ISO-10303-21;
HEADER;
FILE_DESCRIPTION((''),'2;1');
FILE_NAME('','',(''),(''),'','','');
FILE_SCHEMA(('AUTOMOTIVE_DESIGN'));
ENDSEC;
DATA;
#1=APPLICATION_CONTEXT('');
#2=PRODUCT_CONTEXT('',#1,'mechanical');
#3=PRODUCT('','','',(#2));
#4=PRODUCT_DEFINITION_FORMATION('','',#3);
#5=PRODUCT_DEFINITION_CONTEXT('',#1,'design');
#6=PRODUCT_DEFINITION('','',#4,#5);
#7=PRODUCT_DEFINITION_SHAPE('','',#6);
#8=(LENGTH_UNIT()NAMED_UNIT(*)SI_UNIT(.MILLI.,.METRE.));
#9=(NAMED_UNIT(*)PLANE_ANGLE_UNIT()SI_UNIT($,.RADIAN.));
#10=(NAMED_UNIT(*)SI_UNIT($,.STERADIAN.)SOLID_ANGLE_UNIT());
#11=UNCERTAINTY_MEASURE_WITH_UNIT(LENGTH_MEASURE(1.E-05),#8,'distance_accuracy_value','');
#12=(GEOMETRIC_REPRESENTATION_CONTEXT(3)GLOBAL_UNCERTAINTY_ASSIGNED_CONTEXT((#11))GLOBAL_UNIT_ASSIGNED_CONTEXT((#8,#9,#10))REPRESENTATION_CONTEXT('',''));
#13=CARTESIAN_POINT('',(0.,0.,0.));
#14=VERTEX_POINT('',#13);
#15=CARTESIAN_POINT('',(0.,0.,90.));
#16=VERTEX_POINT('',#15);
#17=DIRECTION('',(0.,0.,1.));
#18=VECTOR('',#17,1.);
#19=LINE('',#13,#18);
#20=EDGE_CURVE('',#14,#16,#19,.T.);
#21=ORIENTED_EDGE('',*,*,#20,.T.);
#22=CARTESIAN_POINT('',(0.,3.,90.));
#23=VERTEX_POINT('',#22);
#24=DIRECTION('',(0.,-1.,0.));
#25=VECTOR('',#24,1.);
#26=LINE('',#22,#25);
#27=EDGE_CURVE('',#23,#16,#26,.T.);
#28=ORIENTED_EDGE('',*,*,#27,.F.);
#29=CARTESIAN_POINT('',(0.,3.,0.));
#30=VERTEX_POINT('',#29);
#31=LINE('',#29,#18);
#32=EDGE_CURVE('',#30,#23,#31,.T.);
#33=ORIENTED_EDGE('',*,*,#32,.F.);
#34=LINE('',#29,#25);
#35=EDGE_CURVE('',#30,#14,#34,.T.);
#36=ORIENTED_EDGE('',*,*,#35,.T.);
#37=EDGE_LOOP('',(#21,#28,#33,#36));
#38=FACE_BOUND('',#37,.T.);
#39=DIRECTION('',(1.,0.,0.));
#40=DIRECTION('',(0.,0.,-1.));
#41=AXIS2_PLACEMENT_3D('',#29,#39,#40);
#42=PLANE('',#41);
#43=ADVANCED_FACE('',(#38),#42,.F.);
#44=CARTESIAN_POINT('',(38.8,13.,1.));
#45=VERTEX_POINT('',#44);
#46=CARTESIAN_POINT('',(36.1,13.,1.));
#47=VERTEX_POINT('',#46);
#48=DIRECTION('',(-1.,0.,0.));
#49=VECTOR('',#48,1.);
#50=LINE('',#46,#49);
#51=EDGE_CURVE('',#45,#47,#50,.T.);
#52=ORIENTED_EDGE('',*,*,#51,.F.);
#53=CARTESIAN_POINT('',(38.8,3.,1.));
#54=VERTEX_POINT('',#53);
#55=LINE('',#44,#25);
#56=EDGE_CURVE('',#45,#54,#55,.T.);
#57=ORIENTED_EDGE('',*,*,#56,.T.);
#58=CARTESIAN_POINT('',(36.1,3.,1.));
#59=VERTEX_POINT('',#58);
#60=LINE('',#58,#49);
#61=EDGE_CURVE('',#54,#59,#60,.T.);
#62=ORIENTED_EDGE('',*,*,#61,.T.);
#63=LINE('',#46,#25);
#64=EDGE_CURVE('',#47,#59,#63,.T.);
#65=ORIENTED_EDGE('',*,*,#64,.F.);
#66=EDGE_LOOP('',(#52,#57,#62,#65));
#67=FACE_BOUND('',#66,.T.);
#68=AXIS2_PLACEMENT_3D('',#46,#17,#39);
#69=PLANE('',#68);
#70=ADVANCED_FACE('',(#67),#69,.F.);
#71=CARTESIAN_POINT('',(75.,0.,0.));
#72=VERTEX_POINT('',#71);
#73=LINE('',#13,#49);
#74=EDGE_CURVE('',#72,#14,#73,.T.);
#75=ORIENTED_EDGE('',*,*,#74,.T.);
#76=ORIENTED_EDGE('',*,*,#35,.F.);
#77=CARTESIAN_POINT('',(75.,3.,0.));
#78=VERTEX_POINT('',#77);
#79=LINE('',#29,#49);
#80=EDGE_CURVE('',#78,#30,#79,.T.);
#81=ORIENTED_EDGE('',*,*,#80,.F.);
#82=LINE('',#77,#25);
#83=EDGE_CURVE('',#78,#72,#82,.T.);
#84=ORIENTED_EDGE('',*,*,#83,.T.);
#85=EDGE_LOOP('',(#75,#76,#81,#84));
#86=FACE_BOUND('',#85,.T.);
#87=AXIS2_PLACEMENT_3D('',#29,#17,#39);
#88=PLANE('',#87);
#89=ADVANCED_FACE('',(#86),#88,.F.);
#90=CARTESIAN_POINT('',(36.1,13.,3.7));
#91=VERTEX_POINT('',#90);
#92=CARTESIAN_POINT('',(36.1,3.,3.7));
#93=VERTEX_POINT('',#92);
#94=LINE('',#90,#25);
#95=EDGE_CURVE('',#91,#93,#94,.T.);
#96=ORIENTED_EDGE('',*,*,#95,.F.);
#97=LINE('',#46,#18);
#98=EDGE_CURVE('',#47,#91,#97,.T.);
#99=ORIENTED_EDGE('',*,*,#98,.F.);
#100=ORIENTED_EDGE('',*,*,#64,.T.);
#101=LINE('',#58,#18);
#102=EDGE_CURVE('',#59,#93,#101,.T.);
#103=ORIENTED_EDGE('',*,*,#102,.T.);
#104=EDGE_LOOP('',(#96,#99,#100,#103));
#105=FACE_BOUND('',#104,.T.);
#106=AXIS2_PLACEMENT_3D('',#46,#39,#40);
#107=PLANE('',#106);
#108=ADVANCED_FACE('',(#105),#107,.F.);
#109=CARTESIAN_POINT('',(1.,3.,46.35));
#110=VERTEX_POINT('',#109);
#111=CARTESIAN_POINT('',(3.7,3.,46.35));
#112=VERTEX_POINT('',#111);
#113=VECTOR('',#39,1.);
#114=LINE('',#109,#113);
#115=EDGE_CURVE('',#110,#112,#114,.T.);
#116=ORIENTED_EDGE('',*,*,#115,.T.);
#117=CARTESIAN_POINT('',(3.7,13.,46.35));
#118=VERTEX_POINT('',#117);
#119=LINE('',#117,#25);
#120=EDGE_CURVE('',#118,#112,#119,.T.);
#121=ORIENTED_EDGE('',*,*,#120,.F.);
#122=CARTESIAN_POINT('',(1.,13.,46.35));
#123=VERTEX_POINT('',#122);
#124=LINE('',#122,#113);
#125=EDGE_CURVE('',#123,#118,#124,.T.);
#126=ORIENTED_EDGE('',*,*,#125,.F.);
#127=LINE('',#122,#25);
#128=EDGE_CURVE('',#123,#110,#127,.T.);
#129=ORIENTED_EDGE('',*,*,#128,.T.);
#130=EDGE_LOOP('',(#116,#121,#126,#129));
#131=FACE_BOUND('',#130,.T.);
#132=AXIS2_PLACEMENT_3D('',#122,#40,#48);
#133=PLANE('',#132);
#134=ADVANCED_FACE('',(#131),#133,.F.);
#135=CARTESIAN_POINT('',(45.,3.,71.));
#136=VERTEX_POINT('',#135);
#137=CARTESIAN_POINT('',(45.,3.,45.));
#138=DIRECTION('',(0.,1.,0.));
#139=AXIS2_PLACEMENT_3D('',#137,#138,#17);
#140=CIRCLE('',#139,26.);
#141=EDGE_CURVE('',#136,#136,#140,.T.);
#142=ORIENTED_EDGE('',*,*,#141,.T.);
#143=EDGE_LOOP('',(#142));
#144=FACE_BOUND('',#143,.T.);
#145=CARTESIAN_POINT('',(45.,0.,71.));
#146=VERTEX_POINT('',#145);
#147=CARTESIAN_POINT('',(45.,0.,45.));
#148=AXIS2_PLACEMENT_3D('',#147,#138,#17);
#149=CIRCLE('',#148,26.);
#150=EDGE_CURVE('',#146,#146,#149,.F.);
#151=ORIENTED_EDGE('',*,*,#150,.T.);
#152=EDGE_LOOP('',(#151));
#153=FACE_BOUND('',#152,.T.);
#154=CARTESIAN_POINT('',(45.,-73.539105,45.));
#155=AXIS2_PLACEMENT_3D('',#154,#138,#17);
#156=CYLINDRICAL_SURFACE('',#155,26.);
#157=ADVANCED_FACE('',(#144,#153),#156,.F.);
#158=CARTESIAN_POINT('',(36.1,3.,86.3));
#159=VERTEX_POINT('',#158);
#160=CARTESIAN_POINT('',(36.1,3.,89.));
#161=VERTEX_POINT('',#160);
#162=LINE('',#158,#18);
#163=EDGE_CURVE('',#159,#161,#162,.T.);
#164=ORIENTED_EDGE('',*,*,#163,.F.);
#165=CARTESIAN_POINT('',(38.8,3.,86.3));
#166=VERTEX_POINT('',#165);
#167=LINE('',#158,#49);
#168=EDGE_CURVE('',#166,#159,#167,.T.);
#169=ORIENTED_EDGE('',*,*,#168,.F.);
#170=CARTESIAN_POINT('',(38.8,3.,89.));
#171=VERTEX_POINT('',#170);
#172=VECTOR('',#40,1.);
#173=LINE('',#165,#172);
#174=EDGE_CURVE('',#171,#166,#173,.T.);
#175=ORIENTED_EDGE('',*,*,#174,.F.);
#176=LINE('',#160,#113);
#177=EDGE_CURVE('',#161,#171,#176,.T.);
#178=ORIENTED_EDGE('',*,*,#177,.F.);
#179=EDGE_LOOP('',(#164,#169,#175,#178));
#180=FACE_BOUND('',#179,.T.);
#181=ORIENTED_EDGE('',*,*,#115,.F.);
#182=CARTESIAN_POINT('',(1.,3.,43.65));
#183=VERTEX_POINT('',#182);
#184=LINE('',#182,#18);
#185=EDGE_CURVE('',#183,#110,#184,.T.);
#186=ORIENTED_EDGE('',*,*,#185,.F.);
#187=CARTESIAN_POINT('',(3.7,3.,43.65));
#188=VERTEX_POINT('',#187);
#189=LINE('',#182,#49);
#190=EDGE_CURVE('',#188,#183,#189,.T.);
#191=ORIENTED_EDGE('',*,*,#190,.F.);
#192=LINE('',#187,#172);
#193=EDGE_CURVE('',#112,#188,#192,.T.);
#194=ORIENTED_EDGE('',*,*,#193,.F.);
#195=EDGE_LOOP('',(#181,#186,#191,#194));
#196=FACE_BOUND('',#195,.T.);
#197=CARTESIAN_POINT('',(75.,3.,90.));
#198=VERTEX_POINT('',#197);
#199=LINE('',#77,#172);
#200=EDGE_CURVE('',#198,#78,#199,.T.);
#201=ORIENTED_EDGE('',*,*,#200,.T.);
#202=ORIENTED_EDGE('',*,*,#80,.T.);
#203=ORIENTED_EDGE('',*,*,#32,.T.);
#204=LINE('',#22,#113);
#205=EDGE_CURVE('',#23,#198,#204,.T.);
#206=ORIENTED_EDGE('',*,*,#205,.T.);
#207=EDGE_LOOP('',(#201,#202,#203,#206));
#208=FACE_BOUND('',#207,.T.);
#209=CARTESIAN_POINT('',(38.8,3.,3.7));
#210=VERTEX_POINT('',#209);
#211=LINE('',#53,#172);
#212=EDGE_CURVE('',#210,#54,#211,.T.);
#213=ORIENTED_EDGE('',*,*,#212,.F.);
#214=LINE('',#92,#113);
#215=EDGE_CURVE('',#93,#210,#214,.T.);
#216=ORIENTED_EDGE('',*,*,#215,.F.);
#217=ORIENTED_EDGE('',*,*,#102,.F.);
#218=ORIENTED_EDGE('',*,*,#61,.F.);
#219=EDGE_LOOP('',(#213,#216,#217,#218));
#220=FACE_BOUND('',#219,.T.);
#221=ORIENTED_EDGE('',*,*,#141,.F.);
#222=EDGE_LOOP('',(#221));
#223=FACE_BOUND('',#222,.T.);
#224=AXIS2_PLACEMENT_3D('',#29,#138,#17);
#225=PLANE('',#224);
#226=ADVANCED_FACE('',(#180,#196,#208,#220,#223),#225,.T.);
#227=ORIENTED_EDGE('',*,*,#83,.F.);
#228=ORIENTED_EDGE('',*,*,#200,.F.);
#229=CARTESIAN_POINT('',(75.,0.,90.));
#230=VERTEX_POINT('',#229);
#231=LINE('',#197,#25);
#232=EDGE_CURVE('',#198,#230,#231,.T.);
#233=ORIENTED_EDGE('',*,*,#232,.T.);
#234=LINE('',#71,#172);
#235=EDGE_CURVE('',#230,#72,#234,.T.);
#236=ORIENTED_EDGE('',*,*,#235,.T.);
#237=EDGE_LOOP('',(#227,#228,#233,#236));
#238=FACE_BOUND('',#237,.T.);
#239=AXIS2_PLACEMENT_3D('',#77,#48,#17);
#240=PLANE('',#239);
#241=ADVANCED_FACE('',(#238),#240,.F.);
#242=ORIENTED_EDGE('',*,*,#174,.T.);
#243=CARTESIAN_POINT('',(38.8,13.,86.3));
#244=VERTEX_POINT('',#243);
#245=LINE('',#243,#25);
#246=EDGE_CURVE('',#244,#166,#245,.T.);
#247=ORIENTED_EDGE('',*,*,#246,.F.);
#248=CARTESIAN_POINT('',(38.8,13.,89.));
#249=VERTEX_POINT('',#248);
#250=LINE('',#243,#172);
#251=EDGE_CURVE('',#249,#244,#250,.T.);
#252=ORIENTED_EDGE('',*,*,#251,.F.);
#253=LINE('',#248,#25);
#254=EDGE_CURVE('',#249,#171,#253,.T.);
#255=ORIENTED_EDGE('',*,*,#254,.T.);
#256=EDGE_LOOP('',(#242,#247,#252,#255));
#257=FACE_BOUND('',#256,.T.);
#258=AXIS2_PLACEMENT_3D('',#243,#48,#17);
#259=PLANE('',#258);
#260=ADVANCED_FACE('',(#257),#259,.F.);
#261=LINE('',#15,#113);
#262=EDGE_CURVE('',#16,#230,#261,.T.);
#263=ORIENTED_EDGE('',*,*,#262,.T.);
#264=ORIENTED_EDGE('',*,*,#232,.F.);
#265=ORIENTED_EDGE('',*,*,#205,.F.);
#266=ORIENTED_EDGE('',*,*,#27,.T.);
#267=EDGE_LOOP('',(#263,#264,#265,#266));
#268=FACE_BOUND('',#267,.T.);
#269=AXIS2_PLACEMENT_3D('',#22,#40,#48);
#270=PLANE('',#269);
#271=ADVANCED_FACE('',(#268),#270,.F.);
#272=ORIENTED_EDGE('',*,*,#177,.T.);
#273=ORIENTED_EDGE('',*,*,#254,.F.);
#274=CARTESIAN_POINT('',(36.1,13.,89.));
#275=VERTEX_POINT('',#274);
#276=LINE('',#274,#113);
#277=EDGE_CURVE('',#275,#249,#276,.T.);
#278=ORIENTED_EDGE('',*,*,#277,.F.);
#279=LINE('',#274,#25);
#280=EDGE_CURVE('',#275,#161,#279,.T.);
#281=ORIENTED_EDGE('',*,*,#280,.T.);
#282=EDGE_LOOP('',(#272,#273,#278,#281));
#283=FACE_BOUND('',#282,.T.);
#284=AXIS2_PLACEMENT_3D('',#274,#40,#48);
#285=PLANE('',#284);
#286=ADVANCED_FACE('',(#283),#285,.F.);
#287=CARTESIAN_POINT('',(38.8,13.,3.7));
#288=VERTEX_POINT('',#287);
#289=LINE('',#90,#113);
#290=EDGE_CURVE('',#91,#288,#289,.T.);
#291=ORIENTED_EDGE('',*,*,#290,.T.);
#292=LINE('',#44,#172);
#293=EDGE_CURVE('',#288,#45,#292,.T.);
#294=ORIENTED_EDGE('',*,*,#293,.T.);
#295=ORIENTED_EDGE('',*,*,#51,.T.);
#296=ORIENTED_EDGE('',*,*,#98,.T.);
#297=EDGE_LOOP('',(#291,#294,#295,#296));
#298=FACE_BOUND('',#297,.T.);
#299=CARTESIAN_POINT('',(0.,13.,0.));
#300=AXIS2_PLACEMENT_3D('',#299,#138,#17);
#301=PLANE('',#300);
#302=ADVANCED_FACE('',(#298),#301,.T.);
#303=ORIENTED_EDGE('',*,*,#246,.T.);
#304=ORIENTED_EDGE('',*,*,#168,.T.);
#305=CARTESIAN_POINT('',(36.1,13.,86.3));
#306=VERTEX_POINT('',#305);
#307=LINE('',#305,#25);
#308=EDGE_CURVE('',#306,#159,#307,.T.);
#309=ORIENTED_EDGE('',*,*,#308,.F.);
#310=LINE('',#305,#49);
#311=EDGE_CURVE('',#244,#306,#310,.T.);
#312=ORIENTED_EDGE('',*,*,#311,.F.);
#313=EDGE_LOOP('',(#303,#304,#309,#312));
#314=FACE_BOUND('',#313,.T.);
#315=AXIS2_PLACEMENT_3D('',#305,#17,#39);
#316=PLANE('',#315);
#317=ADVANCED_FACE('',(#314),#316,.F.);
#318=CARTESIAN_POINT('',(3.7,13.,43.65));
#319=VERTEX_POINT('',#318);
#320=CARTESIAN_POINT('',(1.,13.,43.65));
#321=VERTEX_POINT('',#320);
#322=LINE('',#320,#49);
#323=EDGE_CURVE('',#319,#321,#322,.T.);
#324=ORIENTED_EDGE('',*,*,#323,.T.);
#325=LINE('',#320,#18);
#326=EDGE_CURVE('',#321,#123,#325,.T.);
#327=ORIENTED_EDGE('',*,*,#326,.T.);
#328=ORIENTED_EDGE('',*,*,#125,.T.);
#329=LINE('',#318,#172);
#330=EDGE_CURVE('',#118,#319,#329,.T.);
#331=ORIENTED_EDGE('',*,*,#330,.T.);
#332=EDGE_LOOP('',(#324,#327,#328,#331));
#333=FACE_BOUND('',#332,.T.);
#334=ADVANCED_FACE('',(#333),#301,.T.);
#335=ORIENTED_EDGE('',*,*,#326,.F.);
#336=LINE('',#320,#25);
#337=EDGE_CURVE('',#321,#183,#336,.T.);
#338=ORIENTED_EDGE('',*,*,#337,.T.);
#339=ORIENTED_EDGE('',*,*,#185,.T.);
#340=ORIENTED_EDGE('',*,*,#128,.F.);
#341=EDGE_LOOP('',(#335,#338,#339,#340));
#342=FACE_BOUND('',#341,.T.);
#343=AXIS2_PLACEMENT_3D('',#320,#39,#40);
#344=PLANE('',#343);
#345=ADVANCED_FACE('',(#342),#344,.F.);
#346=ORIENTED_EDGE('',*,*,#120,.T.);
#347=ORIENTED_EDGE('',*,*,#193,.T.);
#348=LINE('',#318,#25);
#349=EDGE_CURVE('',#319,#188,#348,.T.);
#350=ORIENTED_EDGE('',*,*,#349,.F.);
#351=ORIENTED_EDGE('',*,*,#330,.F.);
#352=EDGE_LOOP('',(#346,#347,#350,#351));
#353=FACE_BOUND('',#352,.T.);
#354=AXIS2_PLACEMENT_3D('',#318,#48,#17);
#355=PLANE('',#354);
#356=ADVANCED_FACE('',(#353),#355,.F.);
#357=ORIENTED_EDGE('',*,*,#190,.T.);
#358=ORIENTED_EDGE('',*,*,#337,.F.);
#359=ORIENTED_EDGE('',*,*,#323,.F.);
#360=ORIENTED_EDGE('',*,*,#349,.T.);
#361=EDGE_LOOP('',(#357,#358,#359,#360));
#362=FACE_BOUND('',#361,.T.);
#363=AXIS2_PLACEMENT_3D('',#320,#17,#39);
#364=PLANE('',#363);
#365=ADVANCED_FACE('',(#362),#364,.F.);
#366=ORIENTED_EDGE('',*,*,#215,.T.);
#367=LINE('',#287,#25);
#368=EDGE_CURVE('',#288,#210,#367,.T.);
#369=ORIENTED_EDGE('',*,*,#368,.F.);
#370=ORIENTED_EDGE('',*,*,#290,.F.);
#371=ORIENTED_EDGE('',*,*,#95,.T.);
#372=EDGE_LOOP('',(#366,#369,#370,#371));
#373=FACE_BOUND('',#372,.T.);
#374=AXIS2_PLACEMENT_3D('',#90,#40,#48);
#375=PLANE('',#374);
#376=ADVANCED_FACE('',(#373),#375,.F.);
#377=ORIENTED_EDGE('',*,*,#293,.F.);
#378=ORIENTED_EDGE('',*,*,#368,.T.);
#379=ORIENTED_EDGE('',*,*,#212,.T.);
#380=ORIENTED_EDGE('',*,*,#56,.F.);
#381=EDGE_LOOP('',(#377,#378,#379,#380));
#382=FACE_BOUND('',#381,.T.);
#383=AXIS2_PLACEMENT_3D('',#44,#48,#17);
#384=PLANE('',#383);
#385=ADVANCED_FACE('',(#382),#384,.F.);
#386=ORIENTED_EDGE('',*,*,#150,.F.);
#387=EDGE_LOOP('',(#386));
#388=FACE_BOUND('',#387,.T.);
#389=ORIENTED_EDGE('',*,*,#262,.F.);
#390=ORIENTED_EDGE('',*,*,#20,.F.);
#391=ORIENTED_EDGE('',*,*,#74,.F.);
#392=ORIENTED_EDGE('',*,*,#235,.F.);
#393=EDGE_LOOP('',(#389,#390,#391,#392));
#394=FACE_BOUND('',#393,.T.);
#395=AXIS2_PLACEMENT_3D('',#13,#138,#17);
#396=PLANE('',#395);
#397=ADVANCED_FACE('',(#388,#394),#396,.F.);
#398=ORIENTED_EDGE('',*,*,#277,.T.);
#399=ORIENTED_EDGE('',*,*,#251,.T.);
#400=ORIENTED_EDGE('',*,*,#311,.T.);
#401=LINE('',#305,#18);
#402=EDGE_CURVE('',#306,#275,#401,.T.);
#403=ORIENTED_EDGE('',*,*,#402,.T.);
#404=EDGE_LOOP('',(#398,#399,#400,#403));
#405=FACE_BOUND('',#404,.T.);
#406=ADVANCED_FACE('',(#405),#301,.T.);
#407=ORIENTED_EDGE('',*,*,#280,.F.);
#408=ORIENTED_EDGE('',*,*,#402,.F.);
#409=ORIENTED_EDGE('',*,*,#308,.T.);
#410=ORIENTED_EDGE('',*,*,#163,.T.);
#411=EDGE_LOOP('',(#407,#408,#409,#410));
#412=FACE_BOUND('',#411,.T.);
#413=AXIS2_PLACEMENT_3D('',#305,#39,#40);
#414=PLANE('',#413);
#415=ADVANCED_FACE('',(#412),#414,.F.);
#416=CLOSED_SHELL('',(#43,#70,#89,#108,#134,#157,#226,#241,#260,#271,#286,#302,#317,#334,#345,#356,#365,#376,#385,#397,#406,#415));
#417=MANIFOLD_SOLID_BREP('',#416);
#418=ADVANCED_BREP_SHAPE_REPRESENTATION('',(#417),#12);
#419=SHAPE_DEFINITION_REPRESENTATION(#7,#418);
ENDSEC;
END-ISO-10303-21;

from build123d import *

# Parameters (mm, degrees)
SKETCH1_W           = 75
SKETCH1_H           = 90
BOSS_EXTRUDE1_DEPTH = 3
SKETCH2_W           = 2.7
SKETCH2_H           = 2.7
BOSS_EXTRUDE2_DEPTH = 10
SKETCH3_R           = 26
CUT_EXTRUDE1_DEPTH  = 3


with BuildPart() as part:
    # Sketch1 → Boss-Extrude1 (new body)
    with BuildSketch(Plane(origin=(0, 0, 0), x_dir=(1, 0, 0), z_dir=(0, 1, 0))):
        with Locations((37.5, -45)):
            Rectangle(SKETCH1_W, SKETCH1_H)
    extrude(amount=BOSS_EXTRUDE1_DEPTH)

    # Sketch2 → Boss-Extrude2 (add)
    with BuildSketch(Plane(origin=(0, 3, 0), x_dir=(1, 0, 0), z_dir=(0, 1, 0))):
        with Locations((37.45, -2.35)):
            Rectangle(SKETCH2_W, SKETCH2_H)
        with Locations((2.35, -45)):
            Rectangle(SKETCH2_W, SKETCH2_H)
        with Locations((37.45, -87.65)):
            Rectangle(SKETCH2_W, SKETCH2_H)
    extrude(amount=BOSS_EXTRUDE2_DEPTH)

    # Sketch3 → Cut-Extrude1 (cut)
    with BuildSketch(Plane(origin=(0, 3, 0), x_dir=(1, 0, 0), z_dir=(0, 1, 0))):
        with Locations(Location((45, -45, 0), (0, 0, 270))):
            Circle(SKETCH3_R)
    extrude(amount=-CUT_EXTRUDE1_DEPTH, mode=Mode.SUBTRACT)


solid = part.part
